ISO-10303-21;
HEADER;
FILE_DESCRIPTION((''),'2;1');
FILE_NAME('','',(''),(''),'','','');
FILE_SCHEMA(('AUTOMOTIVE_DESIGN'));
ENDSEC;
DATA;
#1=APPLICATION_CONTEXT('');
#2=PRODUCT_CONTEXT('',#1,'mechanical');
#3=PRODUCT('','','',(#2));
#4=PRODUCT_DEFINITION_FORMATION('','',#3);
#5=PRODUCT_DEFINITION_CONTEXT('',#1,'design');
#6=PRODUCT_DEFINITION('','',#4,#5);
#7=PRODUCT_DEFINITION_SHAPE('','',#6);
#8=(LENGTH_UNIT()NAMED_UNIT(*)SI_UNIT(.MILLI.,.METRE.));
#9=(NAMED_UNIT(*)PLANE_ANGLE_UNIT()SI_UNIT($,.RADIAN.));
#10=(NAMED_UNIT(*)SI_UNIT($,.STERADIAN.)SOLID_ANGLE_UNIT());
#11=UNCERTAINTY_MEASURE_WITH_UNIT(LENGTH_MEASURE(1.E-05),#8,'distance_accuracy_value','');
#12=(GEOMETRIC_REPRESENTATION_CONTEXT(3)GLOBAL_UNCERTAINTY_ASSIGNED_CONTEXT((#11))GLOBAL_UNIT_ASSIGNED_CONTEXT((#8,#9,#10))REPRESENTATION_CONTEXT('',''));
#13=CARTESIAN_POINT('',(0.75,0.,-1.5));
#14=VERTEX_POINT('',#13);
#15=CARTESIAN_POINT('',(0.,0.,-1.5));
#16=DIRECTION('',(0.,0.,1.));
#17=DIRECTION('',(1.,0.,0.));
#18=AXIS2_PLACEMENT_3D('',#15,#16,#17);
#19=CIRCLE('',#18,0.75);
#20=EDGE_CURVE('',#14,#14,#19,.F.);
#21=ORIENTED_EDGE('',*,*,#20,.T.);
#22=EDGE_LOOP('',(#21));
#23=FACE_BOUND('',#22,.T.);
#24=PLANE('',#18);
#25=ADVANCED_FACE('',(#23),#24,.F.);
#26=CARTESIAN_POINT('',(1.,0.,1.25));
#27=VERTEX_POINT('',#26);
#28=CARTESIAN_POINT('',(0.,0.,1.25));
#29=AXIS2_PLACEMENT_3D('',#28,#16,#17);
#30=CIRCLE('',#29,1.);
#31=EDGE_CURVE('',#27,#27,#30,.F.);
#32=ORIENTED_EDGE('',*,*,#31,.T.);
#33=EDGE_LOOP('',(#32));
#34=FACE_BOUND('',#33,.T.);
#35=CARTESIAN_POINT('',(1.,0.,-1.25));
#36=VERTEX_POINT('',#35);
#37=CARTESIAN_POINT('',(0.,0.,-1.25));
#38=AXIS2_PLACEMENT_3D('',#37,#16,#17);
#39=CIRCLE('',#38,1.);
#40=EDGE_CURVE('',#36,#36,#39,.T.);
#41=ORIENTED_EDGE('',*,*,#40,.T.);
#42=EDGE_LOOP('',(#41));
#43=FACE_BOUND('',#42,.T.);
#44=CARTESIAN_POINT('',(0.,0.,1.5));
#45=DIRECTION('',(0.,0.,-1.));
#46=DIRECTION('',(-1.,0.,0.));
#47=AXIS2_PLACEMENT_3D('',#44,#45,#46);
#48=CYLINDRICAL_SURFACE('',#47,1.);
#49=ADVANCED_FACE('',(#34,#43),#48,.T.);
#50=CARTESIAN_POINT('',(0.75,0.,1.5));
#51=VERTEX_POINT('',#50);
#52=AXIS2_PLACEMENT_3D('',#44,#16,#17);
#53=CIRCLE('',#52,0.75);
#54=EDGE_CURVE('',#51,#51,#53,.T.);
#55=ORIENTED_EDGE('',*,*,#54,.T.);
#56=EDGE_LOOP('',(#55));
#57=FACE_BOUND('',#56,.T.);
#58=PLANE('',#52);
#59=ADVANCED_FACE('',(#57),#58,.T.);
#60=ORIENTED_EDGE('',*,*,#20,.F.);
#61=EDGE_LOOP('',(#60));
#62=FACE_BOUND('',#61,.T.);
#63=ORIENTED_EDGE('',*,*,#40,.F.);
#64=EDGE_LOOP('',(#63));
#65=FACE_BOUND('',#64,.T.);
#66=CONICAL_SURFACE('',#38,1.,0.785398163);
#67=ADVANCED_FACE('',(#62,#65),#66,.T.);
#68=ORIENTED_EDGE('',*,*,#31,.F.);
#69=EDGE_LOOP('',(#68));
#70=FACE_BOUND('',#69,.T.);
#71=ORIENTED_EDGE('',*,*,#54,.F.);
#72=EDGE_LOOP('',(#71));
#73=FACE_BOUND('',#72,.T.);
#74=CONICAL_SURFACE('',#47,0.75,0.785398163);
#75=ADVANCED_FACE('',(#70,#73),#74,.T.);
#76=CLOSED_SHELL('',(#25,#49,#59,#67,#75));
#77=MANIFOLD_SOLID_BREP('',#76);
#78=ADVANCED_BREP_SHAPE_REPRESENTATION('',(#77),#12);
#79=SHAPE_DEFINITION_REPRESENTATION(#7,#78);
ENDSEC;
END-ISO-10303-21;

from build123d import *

# Parameters (mm, degrees)
SKETCH1_R           = 1
BOSS_EXTRUDE1_DEPTH = 1.5
CHAMFER1_SIZE       = 0.25


with BuildPart() as part:
    # Sketch1 → Boss-Extrude1 (new, symmetric)
    with BuildSketch(Plane.XY):
        Circle(SKETCH1_R)
    extrude(amount=BOSS_EXTRUDE1_DEPTH, both=True)

    # Chamfer1
    chamfer1_edges = [part.edges().sort_by_distance(p)[0] for p in [
        (-1, 0, -1.5),
        (-1, 0, 1.5),
    ]]
    chamfer(chamfer1_edges, length=CHAMFER1_SIZE)


solid = part.part
